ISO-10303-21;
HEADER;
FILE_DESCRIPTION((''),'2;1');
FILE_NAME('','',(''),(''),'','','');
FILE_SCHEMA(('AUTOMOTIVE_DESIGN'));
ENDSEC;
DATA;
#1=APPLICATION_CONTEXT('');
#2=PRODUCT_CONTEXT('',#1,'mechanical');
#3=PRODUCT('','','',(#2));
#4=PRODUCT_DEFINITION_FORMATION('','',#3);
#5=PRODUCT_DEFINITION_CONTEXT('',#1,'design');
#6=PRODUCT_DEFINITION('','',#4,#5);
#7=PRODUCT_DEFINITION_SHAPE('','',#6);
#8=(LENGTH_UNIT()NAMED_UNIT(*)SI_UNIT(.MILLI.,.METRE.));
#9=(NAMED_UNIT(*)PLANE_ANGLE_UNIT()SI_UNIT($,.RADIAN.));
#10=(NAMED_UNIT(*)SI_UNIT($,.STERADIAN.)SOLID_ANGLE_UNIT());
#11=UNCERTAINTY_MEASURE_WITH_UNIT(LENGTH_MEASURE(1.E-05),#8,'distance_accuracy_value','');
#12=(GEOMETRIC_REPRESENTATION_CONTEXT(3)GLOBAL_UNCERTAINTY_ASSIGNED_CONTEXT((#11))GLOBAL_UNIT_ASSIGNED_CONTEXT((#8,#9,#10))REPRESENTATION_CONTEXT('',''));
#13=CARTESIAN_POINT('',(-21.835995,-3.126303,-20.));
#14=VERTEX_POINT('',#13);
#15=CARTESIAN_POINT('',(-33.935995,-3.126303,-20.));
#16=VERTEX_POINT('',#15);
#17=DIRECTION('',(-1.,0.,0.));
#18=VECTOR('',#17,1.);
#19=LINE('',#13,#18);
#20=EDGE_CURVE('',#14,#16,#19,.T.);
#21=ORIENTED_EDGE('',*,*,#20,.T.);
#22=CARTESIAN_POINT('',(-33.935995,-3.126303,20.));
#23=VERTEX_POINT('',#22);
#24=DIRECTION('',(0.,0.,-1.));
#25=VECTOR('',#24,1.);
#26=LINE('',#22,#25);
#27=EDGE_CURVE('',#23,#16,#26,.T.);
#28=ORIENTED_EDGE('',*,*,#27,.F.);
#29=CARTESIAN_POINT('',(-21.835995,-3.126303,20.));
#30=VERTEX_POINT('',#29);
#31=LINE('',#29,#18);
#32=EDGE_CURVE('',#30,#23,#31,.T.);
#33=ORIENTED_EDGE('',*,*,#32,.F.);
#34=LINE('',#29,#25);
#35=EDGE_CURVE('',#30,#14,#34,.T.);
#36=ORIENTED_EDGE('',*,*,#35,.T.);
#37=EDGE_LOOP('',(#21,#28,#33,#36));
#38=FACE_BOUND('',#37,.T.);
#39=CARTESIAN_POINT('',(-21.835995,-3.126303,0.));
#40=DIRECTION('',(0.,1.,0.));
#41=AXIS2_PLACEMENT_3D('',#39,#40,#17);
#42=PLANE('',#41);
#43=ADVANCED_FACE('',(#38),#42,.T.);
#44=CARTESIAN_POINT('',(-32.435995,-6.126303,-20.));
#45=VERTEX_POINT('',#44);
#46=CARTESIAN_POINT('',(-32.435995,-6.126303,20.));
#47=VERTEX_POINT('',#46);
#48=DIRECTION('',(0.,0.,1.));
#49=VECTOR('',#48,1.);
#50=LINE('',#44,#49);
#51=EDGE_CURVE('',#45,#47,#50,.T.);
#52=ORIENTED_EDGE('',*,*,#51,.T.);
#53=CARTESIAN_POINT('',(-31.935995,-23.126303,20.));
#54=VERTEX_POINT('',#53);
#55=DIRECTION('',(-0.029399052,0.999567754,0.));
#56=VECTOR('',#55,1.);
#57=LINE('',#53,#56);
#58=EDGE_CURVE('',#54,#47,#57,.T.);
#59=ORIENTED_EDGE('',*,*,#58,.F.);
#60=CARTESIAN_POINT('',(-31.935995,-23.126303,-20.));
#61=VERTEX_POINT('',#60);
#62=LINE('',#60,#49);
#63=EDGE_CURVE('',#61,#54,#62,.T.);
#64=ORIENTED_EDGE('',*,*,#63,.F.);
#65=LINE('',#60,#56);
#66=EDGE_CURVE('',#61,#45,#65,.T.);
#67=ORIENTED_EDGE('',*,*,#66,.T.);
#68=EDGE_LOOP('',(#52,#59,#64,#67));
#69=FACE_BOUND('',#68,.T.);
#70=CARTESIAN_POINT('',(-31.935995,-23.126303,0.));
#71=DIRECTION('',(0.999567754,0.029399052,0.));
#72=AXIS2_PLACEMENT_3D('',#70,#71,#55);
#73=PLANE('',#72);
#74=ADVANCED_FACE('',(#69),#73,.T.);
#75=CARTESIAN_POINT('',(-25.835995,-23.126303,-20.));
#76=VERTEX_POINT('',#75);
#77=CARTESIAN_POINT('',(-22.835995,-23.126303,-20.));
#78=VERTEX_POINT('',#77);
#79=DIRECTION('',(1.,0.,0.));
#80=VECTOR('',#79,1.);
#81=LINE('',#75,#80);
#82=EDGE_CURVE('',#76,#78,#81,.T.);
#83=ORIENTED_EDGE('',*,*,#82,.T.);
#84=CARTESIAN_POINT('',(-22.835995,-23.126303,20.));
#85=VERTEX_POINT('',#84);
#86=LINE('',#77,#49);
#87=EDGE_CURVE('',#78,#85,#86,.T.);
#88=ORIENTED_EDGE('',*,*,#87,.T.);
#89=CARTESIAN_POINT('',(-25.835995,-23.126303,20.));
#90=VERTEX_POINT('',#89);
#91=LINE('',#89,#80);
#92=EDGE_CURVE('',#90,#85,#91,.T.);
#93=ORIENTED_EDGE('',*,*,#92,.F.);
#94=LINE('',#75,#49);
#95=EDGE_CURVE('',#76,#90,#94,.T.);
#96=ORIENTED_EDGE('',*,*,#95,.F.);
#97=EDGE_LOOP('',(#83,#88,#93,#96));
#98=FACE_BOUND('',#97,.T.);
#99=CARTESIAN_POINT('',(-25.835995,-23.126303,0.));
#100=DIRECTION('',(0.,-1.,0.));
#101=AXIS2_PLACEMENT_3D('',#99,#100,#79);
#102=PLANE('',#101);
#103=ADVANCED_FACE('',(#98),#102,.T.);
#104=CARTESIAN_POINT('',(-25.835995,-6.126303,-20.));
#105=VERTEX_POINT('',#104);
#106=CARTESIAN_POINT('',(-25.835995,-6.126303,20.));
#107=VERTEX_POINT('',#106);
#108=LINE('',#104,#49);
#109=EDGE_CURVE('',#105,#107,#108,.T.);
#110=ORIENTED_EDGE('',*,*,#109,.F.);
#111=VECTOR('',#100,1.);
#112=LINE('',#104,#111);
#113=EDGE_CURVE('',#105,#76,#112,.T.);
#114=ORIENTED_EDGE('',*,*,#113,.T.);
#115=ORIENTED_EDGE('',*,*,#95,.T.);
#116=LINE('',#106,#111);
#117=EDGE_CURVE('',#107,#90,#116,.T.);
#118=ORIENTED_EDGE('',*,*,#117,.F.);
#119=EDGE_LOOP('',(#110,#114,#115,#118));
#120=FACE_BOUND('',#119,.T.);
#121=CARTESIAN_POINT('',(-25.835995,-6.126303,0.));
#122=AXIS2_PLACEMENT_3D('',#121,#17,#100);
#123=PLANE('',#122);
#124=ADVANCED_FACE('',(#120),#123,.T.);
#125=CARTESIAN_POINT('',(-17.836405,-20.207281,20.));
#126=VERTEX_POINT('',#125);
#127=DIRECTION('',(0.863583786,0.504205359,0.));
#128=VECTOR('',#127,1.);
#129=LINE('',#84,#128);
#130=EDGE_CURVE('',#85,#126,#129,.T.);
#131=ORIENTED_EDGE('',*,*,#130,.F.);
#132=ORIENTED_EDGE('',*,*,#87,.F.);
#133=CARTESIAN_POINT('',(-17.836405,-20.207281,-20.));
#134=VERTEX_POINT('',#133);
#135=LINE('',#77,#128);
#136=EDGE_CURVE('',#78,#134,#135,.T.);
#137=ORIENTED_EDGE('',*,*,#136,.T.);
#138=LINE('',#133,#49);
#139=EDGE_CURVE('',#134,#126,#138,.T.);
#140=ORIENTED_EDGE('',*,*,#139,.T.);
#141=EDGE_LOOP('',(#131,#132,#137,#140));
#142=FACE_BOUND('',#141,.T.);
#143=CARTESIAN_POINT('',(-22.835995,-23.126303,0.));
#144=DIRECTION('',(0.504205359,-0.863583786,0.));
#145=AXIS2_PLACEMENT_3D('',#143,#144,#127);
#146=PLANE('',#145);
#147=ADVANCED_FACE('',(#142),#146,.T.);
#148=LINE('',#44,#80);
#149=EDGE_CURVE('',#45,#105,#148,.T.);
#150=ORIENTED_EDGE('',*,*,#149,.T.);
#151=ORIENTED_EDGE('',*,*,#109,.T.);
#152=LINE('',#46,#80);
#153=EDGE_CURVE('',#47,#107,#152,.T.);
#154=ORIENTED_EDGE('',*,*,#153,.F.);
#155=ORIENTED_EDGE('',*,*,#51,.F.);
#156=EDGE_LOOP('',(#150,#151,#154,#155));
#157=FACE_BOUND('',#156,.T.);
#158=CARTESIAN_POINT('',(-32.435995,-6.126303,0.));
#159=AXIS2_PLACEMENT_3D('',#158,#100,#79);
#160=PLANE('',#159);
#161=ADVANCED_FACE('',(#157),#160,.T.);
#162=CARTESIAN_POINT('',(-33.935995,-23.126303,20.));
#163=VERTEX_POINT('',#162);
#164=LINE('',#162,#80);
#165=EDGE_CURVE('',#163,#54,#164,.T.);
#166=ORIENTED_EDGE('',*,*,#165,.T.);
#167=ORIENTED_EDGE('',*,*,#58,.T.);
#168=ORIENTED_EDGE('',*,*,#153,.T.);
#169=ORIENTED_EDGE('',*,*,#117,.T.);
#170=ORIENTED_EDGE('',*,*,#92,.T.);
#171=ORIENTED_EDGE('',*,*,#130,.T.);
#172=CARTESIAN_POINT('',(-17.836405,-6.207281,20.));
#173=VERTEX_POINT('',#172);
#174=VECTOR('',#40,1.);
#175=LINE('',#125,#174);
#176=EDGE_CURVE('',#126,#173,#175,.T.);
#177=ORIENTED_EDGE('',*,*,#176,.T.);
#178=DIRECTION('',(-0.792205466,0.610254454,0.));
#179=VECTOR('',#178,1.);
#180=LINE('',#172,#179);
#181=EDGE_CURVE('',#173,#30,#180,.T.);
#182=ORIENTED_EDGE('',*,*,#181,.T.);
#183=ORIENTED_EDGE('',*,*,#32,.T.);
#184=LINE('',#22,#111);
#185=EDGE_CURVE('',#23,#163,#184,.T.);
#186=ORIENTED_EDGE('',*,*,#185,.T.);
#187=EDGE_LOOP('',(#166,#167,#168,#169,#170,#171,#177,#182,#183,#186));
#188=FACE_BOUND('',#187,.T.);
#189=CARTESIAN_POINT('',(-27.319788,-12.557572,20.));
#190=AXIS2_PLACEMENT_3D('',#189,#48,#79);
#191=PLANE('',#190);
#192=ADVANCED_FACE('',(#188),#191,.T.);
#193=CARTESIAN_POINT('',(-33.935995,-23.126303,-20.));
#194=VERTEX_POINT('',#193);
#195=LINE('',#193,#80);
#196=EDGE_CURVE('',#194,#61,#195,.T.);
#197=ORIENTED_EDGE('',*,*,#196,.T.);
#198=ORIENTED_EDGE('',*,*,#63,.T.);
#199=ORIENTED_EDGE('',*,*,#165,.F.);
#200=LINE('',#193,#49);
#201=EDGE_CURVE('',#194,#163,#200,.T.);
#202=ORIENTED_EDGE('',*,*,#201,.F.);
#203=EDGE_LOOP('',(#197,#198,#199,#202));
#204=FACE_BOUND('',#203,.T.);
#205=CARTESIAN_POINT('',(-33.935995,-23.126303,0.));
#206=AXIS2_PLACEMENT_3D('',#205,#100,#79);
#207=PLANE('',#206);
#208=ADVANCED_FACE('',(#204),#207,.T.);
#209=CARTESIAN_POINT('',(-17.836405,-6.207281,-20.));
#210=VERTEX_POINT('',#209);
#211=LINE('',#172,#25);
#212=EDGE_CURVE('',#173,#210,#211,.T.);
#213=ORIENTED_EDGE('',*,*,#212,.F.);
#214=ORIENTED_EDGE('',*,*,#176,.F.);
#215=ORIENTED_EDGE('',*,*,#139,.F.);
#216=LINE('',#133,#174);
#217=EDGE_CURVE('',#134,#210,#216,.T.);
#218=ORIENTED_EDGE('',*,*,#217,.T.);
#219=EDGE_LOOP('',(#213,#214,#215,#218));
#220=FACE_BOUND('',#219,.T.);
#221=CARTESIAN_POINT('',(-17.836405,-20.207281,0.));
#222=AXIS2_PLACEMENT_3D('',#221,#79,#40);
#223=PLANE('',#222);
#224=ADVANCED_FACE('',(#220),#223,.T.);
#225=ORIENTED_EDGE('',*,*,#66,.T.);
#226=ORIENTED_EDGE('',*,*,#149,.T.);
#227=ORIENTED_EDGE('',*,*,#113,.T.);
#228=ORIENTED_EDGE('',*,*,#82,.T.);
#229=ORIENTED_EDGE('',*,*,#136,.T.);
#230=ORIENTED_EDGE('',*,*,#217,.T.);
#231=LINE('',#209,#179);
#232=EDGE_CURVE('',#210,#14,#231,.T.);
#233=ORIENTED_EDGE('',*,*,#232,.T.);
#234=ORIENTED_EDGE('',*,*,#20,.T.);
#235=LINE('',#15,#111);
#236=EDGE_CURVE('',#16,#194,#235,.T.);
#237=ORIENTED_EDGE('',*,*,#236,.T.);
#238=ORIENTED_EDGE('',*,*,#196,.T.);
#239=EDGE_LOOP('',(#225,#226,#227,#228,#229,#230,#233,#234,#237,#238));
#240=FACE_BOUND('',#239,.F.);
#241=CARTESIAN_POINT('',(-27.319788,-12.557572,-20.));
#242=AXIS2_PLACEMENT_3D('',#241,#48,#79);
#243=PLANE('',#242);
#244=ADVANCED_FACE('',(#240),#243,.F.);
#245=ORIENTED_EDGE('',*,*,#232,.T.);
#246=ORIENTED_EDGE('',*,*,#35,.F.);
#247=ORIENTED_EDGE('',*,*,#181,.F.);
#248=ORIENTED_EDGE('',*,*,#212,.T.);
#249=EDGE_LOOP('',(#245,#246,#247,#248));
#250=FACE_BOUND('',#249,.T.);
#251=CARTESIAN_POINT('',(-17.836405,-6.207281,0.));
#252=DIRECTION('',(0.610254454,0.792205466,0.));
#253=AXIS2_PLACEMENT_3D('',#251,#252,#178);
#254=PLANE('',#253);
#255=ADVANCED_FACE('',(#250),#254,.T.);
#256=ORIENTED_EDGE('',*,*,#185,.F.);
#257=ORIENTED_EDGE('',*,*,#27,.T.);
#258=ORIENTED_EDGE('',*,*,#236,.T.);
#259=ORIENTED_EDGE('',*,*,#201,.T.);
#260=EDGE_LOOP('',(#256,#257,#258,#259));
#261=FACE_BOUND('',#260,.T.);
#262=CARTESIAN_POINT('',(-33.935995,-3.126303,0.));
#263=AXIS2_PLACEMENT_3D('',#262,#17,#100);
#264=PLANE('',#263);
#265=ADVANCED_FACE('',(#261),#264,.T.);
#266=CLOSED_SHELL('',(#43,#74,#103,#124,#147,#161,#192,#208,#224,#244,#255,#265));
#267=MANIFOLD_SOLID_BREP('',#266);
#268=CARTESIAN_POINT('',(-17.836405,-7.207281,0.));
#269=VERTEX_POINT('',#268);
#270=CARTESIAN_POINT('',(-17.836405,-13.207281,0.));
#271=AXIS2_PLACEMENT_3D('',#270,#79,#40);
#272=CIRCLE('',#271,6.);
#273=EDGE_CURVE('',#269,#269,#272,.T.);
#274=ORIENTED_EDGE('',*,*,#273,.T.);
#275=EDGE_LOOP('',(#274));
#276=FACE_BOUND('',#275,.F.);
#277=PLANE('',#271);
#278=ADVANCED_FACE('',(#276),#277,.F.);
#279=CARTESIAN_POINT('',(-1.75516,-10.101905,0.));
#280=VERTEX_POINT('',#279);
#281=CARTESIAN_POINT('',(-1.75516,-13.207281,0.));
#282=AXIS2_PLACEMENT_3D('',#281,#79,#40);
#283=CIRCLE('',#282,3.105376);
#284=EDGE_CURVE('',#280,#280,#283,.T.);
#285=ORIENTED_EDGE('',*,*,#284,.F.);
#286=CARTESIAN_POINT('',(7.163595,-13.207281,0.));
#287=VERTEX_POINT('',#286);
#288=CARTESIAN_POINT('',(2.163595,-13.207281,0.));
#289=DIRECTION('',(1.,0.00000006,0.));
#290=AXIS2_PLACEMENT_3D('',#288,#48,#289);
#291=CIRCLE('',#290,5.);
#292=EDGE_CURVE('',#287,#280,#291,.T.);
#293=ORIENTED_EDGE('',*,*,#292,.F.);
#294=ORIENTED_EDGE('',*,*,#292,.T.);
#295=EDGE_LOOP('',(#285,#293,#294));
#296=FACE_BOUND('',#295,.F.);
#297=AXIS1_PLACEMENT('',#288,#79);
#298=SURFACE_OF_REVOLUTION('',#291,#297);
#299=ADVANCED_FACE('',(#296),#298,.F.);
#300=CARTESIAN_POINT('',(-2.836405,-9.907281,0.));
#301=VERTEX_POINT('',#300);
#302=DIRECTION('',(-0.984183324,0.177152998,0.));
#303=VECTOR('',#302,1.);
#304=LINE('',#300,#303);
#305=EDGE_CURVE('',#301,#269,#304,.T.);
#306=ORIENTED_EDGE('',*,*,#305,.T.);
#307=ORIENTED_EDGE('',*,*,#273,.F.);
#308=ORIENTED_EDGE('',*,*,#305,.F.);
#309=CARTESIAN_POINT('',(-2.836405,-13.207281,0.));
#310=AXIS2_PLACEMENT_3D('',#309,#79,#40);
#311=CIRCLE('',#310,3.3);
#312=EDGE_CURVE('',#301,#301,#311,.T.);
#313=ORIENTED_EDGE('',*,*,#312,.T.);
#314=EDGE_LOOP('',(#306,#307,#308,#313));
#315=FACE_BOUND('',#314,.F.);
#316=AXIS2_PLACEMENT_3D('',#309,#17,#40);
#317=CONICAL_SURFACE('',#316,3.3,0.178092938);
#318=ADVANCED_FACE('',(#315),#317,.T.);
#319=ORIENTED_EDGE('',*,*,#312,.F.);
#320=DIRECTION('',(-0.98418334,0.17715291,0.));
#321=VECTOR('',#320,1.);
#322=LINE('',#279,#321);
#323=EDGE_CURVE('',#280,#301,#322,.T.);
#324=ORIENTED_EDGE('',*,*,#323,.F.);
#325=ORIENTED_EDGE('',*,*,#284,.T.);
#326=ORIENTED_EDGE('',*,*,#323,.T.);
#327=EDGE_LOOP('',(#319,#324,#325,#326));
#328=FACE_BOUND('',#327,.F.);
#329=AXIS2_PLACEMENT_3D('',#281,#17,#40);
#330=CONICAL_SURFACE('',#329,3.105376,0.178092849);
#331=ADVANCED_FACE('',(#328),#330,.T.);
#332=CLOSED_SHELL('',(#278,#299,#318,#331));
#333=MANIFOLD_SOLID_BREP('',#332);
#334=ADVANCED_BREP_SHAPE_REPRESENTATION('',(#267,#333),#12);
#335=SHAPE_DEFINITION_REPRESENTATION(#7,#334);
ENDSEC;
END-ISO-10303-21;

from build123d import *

# Parameters (mm, degrees)
F1_DEPTH = 20


with BuildPart() as f1:
    # F0 (on Top) → F1 (new body, symmetric)
    with BuildSketch(Plane.XY):
        Polygon((-33.935995, -3.126303), (-33.935995, -23.126303), (-31.935995, -23.126303), (-32.435995, -6.126303), (-25.835995, -6.126303), (-25.835995, -23.126303), (-22.835995, -23.126303), (-17.836405, -20.207281), (-17.836405, -19.207281), (-17.836405, -13.207281), (-17.836405, -7.207281), (-17.836405, -6.207281), (-21.835995, -3.126303), align=None)
    extrude(amount=F1_DEPTH, both=True)


with BuildPart() as f2:
    # F0 (on Top) → F2 (revolve)
    with BuildSketch(Plane.XY):
        with BuildLine():
            Line((-2.836405, -9.907281), (-17.836405, -7.207281))
            Line((-17.836405, -7.207281), (-17.836405, -13.207281))
            Line((-17.836405, -13.207281), (-2.836405, -13.207281))
            ThreePointArc((-2.836405, -13.207281), (-2.558363, -11.563166), (-1.75516, -10.101905))
            Line((-1.75516, -10.101905), (-2.836405, -9.907281))
        make_face()
    revolve(axis=Axis((-10.336405, -13.207281, 0), (1, 0, 0)))

    # F0 (on Top) → F3 (revolve)
    with BuildSketch(Plane.XY):
        with BuildLine():
            ThreePointArc((-1.75516, -10.101905), (-2.558363, -11.563166), (-2.836405, -13.207281))
            Line((-2.836405, -13.207281), (7.163595, -13.207281))
            ThreePointArc((7.163595, -13.207281), (3.807709, -8.485323), (-1.75516, -10.101905))
        make_face()
    revolve(axis=Axis((2.163595, -13.207281, 0), (1, 0, 0)))


solid = Compound([f1.part, f2.part])
